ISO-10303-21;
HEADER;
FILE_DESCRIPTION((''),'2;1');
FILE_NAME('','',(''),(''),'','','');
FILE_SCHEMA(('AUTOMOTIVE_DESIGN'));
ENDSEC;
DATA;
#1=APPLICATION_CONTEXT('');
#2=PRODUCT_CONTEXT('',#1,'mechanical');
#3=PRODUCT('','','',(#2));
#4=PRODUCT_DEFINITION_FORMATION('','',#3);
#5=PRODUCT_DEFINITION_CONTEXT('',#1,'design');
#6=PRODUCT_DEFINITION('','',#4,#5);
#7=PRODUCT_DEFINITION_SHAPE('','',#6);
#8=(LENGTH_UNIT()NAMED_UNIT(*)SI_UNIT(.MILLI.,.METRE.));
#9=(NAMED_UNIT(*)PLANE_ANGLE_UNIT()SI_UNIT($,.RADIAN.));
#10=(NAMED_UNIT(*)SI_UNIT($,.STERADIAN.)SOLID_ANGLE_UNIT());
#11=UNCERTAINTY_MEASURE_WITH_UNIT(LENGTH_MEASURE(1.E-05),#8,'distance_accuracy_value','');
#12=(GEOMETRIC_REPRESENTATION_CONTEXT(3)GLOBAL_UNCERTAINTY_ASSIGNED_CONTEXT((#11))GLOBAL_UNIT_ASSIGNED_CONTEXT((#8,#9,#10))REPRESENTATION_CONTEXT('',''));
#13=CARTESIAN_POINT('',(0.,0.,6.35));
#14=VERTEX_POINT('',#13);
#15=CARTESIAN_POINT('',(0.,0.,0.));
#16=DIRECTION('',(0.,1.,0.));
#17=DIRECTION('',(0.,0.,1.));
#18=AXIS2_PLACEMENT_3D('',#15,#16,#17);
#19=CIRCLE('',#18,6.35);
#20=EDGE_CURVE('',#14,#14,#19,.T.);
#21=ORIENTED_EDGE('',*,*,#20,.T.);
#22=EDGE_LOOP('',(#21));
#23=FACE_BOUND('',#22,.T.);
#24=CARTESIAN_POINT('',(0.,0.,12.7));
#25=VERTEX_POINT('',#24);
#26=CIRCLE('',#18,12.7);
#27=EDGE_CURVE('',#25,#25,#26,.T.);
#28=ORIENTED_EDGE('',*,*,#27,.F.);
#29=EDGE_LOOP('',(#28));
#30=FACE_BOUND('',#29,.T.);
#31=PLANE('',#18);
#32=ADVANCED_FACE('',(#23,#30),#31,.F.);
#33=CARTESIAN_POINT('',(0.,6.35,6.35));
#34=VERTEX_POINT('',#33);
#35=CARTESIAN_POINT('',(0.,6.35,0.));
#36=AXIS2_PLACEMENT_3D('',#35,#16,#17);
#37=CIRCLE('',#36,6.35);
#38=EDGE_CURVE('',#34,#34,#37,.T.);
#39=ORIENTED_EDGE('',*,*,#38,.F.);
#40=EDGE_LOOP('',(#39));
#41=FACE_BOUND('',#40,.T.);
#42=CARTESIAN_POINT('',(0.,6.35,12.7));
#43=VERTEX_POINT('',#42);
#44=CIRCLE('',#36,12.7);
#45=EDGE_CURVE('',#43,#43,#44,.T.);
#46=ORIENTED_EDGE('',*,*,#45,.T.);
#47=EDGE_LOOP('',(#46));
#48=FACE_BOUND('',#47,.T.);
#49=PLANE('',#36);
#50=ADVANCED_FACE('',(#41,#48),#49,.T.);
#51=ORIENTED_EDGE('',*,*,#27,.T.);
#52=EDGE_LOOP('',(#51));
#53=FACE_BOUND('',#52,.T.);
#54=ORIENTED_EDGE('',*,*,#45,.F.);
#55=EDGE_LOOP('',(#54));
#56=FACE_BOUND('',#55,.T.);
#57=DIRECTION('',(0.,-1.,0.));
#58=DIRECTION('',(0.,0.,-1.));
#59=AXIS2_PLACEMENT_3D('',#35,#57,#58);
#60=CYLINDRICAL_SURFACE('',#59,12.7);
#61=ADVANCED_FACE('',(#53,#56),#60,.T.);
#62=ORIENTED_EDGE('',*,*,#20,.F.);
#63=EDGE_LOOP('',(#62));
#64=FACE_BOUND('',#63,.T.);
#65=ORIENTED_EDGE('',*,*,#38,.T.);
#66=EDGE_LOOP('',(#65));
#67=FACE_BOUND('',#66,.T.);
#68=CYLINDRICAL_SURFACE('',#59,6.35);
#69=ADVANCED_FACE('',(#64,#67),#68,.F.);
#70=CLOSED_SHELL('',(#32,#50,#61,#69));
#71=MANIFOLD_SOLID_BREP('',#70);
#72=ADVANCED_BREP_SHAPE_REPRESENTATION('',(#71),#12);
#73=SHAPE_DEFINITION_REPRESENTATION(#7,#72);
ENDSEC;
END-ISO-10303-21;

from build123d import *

# Parameters (mm, degrees)
SKETCH1_R           = 12.7
SKETCH1_R_2         = 6.35
BOSS_EXTRUDE1_DEPTH = 6.35


with BuildPart() as part:
    # Sketch1 → Boss-Extrude1 (new body)
    with BuildSketch(Plane(origin=(0, 0, 0), x_dir=(1, 0, 0), z_dir=(0, 1, 0))):
        with Locations(Location((0, 0, 0), (0, 0, 270))):
            Circle(SKETCH1_R)
        with Locations(Location((0, 0, 0), (0, 0, 270))):
            Circle(SKETCH1_R_2, mode=Mode.SUBTRACT)
    extrude(amount=BOSS_EXTRUDE1_DEPTH)


solid = part.part
